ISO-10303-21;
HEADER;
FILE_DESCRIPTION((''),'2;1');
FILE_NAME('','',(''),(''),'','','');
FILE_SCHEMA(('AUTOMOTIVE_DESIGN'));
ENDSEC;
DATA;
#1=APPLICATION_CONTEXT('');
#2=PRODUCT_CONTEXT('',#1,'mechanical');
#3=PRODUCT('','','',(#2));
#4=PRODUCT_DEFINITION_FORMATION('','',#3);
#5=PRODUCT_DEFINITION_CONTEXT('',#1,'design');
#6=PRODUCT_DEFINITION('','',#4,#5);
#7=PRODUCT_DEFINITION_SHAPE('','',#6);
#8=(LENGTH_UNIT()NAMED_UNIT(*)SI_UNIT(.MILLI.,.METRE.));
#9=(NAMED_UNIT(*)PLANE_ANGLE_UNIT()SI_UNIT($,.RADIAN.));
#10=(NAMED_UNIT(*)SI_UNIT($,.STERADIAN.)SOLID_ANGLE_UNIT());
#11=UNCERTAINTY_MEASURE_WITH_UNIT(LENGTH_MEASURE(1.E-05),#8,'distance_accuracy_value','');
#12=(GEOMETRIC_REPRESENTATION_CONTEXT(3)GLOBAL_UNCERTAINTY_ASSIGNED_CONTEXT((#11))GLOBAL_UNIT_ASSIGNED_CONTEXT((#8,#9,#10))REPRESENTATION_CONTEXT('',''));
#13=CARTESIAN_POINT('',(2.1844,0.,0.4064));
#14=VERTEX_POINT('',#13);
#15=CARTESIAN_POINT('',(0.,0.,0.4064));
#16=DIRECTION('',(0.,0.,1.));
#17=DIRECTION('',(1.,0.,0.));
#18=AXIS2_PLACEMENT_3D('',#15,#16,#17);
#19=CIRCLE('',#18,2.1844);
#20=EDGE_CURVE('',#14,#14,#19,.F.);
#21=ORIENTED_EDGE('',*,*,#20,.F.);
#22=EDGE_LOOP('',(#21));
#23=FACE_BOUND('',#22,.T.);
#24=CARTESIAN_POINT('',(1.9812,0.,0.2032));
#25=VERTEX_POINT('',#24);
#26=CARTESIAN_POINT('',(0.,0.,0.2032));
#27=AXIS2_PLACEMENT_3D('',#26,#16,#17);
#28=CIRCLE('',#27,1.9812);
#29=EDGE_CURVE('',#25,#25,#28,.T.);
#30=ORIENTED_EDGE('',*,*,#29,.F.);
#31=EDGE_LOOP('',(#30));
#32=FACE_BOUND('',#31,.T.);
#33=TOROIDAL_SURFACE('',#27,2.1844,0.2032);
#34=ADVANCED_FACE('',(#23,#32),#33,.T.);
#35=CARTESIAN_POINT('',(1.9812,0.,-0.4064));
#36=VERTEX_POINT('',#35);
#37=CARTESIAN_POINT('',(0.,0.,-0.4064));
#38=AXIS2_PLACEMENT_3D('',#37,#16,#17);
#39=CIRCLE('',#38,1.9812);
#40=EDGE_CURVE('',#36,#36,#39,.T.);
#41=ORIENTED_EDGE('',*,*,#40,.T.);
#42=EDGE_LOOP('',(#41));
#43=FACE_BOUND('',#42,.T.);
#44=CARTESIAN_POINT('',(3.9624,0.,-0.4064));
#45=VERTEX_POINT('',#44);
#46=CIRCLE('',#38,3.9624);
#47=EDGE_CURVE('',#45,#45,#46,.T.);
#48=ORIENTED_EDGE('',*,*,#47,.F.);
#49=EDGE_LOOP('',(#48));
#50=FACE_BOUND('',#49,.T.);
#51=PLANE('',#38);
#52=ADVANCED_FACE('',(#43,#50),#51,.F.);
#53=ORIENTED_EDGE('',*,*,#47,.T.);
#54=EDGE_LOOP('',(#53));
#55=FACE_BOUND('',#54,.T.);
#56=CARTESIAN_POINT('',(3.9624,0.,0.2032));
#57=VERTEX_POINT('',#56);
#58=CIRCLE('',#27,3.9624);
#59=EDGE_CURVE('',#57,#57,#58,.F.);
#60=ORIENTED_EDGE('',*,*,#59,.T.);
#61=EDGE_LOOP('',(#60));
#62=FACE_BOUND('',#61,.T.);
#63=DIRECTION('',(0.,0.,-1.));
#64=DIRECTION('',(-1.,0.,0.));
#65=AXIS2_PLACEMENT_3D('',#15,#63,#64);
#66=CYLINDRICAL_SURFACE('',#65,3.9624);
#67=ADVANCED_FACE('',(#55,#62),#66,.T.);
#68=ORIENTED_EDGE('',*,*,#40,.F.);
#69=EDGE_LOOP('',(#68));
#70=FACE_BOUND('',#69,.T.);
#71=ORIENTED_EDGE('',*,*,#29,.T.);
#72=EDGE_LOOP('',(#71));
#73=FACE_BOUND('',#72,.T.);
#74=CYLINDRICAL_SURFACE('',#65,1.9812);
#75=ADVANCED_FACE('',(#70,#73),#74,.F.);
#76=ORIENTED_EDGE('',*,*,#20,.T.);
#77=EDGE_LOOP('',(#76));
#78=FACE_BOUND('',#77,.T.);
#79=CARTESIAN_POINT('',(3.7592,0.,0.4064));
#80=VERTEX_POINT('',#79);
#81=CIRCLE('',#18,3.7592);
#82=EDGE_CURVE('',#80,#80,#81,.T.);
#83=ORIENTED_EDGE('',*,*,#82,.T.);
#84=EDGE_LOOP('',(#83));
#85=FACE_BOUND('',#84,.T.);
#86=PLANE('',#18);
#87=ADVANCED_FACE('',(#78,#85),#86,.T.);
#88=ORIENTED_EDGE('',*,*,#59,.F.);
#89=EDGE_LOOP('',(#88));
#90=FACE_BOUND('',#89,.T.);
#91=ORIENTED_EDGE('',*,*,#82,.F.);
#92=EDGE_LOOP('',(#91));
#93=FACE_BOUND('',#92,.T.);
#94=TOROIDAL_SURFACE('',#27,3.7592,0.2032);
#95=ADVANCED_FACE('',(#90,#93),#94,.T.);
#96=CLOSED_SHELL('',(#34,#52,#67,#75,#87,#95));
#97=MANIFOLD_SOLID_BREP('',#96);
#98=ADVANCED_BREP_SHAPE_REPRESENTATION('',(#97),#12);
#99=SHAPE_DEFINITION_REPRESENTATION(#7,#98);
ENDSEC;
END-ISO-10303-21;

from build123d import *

# Parameters (mm, degrees)
SKETCH3_R                = 3.9624
SKETCH3_R_2              = 1.9812
BOSS_EXTRUDE1_DEPTH      = 0.4064
BOSS_EXTRUDE1_DEPTH_BACK = 0.4064
FILLET1_R                = 0.2032


with BuildPart() as part:
    # Sketch3 → Boss-Extrude1 (new body, two sides)
    with BuildSketch(Plane.XY) as boss_extrude1_sk:
        Circle(SKETCH3_R)
        Circle(SKETCH3_R_2, mode=Mode.SUBTRACT)
    extrude(amount=BOSS_EXTRUDE1_DEPTH)
    extrude(boss_extrude1_sk.sketch, amount=-BOSS_EXTRUDE1_DEPTH_BACK)

    # Fillet1
    fillet1_edges = [part.edges().sort_by_distance(p)[0] for p in [
        (-3.9624, 0, 0.4064),
        (-1.9812, 0, 0.4064),
    ]]
    fillet(fillet1_edges, radius=FILLET1_R)


solid = part.part
